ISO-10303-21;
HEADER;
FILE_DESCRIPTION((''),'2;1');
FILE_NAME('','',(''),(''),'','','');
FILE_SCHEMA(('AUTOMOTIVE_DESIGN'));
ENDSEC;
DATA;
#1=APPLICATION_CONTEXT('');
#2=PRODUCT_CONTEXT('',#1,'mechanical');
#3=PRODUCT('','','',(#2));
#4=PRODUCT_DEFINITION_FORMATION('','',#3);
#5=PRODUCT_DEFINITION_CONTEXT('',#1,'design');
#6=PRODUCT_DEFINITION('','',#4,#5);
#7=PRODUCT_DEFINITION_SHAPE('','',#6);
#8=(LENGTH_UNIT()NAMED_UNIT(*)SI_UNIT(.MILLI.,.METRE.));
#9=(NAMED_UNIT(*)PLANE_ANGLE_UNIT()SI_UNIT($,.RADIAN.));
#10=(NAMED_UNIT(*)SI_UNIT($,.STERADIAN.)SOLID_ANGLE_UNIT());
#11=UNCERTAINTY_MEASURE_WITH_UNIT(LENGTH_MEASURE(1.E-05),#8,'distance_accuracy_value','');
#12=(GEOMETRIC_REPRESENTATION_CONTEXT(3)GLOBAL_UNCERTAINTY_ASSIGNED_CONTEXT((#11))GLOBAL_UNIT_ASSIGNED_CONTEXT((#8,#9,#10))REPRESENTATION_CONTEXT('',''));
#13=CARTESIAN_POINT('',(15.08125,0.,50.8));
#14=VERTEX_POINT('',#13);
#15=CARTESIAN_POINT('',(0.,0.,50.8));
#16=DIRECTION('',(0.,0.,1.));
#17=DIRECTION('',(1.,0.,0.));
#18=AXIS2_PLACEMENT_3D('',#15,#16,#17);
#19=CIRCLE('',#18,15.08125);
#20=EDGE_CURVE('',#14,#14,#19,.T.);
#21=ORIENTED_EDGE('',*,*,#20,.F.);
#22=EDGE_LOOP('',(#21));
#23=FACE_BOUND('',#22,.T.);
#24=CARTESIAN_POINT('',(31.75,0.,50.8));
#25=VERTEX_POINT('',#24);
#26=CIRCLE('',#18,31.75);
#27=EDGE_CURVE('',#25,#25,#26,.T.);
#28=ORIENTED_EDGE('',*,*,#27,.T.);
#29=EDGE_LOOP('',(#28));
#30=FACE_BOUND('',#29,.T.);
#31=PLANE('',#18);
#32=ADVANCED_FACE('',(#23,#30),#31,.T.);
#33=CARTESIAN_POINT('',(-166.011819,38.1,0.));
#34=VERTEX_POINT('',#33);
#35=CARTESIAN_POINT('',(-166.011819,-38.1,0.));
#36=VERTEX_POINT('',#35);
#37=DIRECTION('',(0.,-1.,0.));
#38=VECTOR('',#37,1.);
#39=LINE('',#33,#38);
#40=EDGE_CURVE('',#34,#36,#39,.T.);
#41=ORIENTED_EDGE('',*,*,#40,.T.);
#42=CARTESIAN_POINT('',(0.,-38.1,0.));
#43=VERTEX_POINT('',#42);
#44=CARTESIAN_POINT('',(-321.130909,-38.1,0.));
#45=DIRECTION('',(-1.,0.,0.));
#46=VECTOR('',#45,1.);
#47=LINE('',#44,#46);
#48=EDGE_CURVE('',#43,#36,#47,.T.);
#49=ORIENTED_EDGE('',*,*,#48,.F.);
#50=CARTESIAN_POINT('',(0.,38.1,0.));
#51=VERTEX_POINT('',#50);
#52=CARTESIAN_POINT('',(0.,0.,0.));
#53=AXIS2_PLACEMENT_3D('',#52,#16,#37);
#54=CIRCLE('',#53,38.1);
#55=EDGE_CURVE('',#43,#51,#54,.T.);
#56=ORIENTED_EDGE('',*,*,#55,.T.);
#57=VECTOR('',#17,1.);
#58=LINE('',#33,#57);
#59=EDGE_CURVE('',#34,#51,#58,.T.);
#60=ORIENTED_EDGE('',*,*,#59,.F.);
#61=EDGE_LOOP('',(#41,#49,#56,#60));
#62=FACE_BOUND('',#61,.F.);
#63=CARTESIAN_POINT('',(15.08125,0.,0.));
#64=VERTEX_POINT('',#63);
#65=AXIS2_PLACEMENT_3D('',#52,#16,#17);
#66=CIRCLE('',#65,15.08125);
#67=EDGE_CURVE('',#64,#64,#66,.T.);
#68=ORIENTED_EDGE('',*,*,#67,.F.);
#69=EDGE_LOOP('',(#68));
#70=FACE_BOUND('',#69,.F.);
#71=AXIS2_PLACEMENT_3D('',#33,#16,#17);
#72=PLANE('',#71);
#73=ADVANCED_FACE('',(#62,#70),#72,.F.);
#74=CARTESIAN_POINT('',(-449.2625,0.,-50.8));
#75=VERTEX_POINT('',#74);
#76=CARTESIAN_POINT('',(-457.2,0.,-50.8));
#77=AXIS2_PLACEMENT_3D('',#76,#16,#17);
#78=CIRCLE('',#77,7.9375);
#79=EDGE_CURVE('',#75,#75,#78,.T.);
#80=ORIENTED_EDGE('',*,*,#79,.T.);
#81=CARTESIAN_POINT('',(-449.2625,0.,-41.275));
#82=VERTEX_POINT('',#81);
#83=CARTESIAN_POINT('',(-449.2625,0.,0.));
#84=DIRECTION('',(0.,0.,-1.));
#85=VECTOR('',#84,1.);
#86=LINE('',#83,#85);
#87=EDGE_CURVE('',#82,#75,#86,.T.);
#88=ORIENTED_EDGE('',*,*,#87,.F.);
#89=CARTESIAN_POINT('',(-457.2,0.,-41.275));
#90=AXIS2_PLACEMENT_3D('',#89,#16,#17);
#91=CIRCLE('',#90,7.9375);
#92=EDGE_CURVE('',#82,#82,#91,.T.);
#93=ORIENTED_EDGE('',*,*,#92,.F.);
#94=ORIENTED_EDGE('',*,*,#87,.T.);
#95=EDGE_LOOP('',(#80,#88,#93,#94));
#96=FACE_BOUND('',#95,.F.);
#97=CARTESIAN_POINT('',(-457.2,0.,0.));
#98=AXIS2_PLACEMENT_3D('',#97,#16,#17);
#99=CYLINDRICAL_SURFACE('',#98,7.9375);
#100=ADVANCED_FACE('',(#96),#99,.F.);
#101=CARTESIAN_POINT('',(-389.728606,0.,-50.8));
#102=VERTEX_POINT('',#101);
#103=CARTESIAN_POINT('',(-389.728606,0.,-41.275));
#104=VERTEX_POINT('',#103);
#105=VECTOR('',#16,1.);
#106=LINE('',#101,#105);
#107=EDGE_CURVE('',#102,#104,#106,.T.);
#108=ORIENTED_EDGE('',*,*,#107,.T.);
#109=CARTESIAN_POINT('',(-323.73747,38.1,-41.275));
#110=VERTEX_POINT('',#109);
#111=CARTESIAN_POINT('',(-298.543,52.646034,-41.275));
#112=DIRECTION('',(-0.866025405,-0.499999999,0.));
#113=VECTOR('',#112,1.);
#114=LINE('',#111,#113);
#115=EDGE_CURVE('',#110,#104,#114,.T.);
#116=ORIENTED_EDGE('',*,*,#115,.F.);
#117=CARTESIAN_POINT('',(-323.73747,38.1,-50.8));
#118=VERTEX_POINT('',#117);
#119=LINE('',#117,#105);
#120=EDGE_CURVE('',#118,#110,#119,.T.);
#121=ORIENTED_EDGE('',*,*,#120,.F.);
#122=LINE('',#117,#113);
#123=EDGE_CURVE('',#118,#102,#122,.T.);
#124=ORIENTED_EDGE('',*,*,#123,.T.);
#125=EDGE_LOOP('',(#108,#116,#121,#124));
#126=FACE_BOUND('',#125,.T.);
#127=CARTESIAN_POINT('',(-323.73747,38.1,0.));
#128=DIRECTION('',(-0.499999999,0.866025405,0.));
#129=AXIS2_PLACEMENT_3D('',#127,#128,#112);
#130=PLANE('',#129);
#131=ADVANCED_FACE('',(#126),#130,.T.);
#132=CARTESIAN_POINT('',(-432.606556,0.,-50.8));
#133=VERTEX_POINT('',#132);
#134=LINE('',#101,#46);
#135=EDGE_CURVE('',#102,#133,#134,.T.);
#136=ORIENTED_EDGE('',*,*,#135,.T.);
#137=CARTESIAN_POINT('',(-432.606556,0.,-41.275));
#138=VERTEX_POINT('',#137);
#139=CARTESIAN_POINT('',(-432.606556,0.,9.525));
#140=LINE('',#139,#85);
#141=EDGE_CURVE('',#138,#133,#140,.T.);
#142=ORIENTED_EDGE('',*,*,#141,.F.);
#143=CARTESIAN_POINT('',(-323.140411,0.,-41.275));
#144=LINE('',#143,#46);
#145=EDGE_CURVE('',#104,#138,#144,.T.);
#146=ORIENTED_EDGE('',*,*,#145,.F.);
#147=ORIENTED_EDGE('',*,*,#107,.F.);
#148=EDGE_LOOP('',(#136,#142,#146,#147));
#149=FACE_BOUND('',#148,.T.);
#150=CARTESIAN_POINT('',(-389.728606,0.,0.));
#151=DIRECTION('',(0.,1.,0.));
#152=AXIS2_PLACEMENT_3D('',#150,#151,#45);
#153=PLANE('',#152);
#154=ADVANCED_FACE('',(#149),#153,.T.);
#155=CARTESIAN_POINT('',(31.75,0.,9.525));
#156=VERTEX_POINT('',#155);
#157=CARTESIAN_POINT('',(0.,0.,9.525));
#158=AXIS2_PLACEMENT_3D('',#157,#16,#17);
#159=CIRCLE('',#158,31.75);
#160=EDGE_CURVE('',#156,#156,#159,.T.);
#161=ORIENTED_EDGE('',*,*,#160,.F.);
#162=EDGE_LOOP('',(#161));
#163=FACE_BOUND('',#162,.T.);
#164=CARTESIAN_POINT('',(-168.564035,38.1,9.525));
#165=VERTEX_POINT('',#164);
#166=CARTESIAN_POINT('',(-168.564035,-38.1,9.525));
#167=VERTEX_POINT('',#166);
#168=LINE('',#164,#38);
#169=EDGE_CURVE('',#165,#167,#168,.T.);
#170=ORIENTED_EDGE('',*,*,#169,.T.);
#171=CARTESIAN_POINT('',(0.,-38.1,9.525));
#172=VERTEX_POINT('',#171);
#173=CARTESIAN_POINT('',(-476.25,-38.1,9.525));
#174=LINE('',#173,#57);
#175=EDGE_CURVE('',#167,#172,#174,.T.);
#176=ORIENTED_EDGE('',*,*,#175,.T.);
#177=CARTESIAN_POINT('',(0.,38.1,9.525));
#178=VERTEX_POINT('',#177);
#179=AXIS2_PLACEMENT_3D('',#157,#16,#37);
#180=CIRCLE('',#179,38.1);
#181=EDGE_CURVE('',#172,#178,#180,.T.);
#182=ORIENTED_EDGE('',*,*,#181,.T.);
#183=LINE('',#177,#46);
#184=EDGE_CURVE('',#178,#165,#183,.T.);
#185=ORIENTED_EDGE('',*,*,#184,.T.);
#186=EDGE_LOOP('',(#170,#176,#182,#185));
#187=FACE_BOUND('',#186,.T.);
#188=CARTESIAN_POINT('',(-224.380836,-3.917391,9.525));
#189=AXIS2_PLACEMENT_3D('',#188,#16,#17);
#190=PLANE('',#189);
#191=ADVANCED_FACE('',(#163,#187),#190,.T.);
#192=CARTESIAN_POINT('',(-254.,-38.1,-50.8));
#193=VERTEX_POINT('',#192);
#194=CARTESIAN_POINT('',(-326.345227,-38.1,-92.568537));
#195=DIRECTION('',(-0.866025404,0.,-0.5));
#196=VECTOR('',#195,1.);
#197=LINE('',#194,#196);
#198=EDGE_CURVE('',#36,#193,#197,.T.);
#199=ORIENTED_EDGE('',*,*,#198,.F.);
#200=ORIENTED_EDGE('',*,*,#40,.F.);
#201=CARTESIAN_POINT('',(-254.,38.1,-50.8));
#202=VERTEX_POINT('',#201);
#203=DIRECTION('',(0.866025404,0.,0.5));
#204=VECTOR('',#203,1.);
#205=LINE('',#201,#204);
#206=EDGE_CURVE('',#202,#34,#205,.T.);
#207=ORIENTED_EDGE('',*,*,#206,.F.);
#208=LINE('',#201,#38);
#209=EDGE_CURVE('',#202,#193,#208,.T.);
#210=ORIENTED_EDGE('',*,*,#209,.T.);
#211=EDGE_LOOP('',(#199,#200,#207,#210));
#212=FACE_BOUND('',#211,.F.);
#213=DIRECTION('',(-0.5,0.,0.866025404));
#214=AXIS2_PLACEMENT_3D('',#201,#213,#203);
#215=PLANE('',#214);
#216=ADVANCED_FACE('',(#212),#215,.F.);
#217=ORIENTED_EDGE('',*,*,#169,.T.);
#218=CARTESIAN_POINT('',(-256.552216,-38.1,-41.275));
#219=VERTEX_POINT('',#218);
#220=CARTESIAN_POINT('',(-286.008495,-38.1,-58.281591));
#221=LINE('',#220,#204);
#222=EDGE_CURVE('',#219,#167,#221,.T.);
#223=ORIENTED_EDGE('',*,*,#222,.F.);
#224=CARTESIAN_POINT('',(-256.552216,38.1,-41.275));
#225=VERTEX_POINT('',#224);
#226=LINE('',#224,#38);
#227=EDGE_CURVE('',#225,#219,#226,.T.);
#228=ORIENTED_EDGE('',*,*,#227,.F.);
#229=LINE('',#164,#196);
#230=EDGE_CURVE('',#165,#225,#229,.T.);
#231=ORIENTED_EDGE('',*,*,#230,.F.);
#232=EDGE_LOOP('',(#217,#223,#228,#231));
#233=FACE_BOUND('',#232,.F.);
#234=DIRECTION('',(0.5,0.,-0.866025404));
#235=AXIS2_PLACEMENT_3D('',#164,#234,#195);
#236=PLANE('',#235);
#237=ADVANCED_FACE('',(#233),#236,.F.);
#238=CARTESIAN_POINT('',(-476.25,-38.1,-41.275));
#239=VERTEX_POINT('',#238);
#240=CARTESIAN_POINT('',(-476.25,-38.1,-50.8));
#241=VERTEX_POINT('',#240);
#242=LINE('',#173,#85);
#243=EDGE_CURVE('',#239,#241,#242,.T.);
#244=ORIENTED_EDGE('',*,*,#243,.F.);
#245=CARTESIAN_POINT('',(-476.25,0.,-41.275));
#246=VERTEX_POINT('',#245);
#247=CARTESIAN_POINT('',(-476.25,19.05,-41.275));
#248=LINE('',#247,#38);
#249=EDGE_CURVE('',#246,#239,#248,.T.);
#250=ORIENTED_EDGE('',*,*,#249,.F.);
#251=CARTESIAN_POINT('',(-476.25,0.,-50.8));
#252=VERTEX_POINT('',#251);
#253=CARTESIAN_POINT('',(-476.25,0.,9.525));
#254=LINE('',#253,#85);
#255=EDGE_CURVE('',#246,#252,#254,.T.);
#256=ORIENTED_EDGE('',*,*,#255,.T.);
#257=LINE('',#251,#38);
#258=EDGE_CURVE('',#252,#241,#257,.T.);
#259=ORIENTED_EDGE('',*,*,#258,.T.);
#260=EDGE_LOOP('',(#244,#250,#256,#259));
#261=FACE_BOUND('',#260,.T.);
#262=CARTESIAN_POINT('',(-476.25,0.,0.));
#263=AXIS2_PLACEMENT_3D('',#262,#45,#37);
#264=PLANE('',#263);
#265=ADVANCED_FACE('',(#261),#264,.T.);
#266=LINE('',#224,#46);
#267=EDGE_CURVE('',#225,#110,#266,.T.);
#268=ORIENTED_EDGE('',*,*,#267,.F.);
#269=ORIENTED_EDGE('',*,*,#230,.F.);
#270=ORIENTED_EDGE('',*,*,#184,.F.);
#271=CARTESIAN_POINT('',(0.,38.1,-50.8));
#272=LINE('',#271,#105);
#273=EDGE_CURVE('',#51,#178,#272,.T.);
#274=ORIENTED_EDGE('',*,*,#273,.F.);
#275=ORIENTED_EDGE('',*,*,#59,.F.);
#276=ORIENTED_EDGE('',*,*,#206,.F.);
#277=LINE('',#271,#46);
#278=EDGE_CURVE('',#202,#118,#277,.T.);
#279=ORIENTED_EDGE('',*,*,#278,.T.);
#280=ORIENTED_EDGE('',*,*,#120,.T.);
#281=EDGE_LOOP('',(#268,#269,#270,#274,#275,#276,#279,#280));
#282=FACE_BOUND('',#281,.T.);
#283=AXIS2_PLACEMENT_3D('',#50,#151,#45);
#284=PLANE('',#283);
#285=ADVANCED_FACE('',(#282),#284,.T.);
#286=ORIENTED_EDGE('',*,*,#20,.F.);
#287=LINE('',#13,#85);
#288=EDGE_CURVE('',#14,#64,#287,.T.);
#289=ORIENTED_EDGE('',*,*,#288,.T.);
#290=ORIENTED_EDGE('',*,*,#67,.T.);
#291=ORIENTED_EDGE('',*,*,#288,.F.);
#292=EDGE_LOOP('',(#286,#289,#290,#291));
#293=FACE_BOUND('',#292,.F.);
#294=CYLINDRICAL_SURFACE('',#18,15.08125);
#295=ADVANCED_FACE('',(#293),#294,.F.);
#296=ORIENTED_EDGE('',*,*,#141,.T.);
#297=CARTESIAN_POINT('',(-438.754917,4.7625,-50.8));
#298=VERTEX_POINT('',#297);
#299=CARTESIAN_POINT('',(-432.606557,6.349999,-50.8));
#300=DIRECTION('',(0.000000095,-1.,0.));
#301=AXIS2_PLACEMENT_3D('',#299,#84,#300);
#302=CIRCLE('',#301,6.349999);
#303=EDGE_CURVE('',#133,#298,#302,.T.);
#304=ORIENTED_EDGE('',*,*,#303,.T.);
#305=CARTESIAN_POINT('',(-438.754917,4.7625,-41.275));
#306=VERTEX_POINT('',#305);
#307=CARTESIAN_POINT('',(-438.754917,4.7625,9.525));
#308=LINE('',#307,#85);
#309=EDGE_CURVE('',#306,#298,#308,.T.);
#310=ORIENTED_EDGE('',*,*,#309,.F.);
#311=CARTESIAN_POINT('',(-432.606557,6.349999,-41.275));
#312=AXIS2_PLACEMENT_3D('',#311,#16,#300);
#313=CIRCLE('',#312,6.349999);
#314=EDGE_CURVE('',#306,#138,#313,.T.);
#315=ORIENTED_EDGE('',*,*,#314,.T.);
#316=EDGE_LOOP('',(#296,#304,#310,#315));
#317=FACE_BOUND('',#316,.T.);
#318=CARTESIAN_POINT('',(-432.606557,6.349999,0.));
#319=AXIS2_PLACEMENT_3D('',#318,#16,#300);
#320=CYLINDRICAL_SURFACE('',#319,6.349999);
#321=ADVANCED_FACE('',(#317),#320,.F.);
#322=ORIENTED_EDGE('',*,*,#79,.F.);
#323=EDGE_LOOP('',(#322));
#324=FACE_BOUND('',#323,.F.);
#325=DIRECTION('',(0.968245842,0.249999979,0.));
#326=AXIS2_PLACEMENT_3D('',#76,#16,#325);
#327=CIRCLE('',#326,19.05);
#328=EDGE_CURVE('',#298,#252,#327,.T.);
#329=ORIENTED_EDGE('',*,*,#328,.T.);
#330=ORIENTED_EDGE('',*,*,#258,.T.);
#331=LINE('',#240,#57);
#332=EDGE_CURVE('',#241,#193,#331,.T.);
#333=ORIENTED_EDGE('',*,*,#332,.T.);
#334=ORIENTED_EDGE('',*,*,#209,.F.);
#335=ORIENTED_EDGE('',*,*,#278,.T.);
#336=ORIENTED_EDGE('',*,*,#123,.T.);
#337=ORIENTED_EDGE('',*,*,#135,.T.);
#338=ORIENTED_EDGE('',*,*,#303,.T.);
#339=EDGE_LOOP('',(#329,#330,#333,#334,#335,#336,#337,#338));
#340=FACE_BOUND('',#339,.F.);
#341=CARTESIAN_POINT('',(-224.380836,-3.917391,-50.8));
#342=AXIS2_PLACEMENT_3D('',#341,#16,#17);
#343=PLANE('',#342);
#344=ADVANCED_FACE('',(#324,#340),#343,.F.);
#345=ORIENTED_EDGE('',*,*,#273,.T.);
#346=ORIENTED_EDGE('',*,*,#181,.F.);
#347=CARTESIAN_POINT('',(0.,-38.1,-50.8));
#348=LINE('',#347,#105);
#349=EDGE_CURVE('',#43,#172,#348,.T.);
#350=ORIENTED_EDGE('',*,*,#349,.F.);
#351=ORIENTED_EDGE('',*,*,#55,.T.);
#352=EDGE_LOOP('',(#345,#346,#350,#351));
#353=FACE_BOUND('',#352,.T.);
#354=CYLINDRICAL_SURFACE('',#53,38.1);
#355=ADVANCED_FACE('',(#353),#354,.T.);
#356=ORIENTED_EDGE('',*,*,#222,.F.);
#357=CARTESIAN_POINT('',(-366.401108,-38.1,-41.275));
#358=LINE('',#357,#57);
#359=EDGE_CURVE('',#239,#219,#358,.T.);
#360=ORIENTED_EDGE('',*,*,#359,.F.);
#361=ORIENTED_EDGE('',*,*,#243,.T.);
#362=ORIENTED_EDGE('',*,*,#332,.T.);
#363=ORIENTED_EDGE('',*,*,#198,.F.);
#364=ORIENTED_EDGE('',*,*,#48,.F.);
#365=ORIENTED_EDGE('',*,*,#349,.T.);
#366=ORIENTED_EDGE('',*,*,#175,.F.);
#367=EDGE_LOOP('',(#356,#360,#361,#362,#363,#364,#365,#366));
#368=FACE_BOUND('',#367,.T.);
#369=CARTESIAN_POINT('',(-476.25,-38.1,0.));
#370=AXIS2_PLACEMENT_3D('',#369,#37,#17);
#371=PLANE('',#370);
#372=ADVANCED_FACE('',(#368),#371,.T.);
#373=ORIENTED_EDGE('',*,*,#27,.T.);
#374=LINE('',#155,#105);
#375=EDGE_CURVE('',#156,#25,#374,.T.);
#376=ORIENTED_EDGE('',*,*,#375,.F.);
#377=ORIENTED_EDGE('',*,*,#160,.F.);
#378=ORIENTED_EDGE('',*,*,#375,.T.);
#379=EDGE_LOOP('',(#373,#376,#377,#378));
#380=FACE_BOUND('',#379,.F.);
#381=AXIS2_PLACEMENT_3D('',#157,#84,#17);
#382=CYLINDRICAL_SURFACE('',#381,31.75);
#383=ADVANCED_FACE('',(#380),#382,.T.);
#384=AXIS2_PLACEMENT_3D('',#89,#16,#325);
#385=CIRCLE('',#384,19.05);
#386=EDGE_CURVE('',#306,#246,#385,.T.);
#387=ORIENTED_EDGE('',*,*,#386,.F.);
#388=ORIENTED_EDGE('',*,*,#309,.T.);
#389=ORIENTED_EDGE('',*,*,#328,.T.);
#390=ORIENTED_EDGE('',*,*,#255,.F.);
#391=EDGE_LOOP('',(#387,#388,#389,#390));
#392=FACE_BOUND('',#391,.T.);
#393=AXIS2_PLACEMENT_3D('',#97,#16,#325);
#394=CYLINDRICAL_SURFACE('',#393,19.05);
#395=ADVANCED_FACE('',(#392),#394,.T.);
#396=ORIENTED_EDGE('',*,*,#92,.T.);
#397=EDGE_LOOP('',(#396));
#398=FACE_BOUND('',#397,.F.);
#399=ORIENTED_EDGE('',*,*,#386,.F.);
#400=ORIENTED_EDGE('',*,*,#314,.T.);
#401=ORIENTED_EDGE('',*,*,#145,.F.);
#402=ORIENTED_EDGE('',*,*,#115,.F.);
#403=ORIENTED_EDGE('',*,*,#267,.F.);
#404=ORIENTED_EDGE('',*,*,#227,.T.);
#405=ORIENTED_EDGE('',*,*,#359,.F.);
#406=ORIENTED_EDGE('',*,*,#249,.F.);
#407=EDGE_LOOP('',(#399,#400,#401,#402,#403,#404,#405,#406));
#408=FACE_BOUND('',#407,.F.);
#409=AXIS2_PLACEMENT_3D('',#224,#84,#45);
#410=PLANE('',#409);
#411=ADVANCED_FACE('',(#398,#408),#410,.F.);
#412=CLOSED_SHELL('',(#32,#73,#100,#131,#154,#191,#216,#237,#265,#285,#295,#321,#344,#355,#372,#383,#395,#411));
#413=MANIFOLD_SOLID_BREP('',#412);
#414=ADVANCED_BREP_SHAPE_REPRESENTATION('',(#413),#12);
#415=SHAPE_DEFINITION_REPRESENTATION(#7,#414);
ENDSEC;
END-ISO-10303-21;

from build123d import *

# Parameters (mm, degrees)
F0_R          = 7.9375
F1_DEPTH      = 9.525
F1_DEPTH_BACK = 50.8
F2_R          = 31.75
F3_DEPTH      = 41.275
F4_R          = 15.08125
F5_DEPTH      = 101.601
F7_DEPTH      = 76.201


with BuildPart() as f1:
    # F0 (on Top) → F1 (new body, two sides)
    with BuildSketch(Plane.XY) as f1_sk:
        with BuildLine():
            Line((-476.25, -38.1), (0, -38.1))
            ThreePointArc((0, -38.1), (38.1, 0), (0, 38.1))
            Line((0, 38.1), (-180.615451, 38.1))
            Line((-180.615451, 38.1), (-323.73747, 38.1))
            Line((-323.73747, 38.1), (-389.728606, 0))
            Line((-389.728606, 0), (-432.606556, 0))
            ThreePointArc((-432.606556, 0), (-436.495121, 1.329884), (-438.754917, 4.7625))
            ThreePointArc((-438.754917, 4.7625), (-459.600382, 18.898166), (-476.25, 0))
            Line((-476.25, 0), (-476.25, -38.1))
        make_face()
        with Locations((-457.2, 0)):
            Circle(F0_R, mode=Mode.SUBTRACT)
    extrude(amount=F1_DEPTH)
    extrude(f1_sk.sketch, amount=-F1_DEPTH_BACK)

    # F2 (on face) → F3 (join)
    with BuildSketch(Plane.XY.offset(9.525)):
        Circle(F2_R)
    extrude(amount=F3_DEPTH)

    # F4 (on face) → F5 (cut, through all)
    with BuildSketch(Plane.XY.offset(50.8)):
        Circle(F4_R)
    extrude(amount=-F5_DEPTH, mode=Mode.SUBTRACT)

    # F6 (on face) → F7 (cut, through all)
    with BuildSketch(Plane(origin=(0, 38.1, 0), x_dir=(-1, 0, 0), z_dir=(0, 1, 0))):
        Polygon((-101.6, -50.8), (254, -50.8), (166.011819, 0), (-101.6, 0), align=None)
        Polygon((524.164035, 9.525), (168.564035, 9.525), (256.552216, -41.275), (524.164035, -41.275), align=None)
    extrude(amount=-F7_DEPTH, mode=Mode.SUBTRACT)


solid = f1.part
